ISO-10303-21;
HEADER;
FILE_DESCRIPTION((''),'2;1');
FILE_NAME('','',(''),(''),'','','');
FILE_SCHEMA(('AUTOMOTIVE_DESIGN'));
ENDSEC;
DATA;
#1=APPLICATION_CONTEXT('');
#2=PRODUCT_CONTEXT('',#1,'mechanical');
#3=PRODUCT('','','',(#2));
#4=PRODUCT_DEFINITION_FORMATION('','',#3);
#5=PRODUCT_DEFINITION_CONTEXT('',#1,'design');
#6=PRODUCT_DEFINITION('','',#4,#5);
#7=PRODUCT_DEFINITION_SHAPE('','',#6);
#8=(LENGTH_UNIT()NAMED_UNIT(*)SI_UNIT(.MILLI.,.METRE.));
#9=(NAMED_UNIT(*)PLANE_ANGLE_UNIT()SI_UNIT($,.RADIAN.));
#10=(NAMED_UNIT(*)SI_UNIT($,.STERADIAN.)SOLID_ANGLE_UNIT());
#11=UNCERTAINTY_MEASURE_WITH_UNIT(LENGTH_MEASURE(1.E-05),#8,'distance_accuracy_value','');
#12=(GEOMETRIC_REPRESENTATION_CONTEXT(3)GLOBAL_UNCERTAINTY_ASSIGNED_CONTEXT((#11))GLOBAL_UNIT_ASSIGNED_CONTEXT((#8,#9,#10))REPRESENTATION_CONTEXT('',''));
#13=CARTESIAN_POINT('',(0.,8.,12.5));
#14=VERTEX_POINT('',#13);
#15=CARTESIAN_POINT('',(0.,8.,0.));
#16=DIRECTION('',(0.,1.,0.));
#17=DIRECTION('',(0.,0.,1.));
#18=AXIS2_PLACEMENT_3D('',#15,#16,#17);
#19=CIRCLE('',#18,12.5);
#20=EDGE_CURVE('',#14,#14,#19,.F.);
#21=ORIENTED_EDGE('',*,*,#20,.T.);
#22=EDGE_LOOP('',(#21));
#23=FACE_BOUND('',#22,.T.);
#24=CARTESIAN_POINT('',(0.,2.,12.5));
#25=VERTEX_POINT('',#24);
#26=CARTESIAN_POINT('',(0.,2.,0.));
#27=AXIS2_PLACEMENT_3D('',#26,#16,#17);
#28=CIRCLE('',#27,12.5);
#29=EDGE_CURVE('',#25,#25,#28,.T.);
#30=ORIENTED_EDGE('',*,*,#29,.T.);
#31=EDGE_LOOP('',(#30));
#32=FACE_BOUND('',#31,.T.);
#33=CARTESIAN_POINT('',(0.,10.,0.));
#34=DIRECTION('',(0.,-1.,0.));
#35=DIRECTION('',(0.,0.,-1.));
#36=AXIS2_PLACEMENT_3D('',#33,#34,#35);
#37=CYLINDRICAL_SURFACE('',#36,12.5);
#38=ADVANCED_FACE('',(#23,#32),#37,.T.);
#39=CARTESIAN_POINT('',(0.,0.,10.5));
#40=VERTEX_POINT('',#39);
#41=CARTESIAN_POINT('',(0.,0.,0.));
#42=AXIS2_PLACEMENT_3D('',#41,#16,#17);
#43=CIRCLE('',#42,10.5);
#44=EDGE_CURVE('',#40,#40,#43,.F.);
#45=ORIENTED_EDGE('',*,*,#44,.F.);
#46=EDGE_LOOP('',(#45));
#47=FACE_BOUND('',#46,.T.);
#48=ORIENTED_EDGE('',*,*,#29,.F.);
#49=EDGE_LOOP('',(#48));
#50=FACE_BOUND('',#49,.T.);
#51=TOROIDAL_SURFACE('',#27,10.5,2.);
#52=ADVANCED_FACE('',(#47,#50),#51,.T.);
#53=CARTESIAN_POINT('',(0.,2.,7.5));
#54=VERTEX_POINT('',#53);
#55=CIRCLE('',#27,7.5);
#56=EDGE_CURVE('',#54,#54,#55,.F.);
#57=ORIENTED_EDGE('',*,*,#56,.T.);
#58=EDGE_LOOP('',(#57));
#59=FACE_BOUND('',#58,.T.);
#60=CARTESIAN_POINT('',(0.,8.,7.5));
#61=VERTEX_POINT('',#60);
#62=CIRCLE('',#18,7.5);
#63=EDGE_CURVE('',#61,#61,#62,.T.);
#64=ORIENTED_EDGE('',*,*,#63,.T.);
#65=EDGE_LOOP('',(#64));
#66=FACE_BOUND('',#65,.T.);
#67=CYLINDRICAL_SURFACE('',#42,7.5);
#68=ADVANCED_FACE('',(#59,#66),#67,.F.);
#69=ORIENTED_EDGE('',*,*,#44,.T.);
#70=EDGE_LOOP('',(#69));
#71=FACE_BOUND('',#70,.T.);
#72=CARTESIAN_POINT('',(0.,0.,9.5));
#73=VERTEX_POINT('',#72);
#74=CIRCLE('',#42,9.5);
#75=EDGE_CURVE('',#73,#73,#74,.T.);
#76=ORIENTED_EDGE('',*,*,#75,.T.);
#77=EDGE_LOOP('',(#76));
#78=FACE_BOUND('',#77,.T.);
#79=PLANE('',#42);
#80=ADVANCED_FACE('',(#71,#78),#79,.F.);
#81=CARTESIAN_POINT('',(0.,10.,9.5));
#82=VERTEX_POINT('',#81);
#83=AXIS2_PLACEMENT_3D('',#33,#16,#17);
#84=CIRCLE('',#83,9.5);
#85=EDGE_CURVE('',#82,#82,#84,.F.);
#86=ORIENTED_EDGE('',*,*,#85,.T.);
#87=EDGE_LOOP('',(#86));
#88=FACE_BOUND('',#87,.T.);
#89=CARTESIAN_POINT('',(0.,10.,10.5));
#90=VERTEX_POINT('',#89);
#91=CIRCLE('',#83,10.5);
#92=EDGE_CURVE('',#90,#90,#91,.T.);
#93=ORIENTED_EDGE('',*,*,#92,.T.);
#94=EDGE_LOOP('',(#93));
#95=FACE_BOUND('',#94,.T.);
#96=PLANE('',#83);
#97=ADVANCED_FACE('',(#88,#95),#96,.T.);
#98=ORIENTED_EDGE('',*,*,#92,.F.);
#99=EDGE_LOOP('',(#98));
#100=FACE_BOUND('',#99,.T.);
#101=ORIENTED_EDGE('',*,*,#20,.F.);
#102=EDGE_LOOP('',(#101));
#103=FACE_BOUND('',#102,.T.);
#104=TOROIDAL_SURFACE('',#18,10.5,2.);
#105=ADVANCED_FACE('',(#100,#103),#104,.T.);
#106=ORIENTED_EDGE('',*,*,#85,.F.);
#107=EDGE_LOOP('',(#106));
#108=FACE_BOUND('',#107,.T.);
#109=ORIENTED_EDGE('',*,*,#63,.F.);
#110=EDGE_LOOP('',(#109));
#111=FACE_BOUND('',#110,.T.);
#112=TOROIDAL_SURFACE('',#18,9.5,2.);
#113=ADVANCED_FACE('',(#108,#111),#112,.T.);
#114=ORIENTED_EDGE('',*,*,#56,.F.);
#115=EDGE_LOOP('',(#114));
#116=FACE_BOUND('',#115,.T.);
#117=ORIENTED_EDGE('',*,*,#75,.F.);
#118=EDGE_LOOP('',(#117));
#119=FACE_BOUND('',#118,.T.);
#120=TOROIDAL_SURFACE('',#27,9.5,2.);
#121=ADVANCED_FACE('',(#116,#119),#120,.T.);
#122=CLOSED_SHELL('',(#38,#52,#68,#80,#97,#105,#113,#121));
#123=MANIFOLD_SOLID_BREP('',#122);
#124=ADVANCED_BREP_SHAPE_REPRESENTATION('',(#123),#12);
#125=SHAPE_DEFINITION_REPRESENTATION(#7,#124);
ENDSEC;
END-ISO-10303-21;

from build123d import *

# Parameters (mm, degrees)
SKETCH1_R           = 12.5
BOSS_EXTRUDE1_DEPTH = 10
SKETCH2_R           = 7.5
CUT_EXTRUDE1_DEPTH  = 21.310096012
FILLET1_R           = 2


with BuildPart() as part:
    # Sketch1 → Boss-Extrude1 (new body)
    with BuildSketch(Plane(origin=(0, 0, 0), x_dir=(1, 0, 0), z_dir=(0, 1, 0))):
        with Locations(Location((0, 0, 0), (0, 0, 270))):
            Circle(SKETCH1_R)
    extrude(amount=BOSS_EXTRUDE1_DEPTH)

    # Sketch2 → Cut-Extrude1 (cut, through all)
    with BuildSketch(Plane(origin=(0, 10, 0), x_dir=(1, 0, 0), z_dir=(0, 1, 0))):
        with Locations(Location((0, 0, 0), (0, 0, 270))):
            Circle(SKETCH2_R)
    extrude(amount=-CUT_EXTRUDE1_DEPTH, mode=Mode.SUBTRACT)

    # Fillet1
    fillet1_edges = [part.edges().sort_by_distance(p)[0] for p in [
        (0, 0, -12.5),
        (0, 10, -12.5),
        (0, 0, -7.5),
        (0, 10, -7.5),
    ]]
    fillet(fillet1_edges, radius=FILLET1_R)


solid = part.part
